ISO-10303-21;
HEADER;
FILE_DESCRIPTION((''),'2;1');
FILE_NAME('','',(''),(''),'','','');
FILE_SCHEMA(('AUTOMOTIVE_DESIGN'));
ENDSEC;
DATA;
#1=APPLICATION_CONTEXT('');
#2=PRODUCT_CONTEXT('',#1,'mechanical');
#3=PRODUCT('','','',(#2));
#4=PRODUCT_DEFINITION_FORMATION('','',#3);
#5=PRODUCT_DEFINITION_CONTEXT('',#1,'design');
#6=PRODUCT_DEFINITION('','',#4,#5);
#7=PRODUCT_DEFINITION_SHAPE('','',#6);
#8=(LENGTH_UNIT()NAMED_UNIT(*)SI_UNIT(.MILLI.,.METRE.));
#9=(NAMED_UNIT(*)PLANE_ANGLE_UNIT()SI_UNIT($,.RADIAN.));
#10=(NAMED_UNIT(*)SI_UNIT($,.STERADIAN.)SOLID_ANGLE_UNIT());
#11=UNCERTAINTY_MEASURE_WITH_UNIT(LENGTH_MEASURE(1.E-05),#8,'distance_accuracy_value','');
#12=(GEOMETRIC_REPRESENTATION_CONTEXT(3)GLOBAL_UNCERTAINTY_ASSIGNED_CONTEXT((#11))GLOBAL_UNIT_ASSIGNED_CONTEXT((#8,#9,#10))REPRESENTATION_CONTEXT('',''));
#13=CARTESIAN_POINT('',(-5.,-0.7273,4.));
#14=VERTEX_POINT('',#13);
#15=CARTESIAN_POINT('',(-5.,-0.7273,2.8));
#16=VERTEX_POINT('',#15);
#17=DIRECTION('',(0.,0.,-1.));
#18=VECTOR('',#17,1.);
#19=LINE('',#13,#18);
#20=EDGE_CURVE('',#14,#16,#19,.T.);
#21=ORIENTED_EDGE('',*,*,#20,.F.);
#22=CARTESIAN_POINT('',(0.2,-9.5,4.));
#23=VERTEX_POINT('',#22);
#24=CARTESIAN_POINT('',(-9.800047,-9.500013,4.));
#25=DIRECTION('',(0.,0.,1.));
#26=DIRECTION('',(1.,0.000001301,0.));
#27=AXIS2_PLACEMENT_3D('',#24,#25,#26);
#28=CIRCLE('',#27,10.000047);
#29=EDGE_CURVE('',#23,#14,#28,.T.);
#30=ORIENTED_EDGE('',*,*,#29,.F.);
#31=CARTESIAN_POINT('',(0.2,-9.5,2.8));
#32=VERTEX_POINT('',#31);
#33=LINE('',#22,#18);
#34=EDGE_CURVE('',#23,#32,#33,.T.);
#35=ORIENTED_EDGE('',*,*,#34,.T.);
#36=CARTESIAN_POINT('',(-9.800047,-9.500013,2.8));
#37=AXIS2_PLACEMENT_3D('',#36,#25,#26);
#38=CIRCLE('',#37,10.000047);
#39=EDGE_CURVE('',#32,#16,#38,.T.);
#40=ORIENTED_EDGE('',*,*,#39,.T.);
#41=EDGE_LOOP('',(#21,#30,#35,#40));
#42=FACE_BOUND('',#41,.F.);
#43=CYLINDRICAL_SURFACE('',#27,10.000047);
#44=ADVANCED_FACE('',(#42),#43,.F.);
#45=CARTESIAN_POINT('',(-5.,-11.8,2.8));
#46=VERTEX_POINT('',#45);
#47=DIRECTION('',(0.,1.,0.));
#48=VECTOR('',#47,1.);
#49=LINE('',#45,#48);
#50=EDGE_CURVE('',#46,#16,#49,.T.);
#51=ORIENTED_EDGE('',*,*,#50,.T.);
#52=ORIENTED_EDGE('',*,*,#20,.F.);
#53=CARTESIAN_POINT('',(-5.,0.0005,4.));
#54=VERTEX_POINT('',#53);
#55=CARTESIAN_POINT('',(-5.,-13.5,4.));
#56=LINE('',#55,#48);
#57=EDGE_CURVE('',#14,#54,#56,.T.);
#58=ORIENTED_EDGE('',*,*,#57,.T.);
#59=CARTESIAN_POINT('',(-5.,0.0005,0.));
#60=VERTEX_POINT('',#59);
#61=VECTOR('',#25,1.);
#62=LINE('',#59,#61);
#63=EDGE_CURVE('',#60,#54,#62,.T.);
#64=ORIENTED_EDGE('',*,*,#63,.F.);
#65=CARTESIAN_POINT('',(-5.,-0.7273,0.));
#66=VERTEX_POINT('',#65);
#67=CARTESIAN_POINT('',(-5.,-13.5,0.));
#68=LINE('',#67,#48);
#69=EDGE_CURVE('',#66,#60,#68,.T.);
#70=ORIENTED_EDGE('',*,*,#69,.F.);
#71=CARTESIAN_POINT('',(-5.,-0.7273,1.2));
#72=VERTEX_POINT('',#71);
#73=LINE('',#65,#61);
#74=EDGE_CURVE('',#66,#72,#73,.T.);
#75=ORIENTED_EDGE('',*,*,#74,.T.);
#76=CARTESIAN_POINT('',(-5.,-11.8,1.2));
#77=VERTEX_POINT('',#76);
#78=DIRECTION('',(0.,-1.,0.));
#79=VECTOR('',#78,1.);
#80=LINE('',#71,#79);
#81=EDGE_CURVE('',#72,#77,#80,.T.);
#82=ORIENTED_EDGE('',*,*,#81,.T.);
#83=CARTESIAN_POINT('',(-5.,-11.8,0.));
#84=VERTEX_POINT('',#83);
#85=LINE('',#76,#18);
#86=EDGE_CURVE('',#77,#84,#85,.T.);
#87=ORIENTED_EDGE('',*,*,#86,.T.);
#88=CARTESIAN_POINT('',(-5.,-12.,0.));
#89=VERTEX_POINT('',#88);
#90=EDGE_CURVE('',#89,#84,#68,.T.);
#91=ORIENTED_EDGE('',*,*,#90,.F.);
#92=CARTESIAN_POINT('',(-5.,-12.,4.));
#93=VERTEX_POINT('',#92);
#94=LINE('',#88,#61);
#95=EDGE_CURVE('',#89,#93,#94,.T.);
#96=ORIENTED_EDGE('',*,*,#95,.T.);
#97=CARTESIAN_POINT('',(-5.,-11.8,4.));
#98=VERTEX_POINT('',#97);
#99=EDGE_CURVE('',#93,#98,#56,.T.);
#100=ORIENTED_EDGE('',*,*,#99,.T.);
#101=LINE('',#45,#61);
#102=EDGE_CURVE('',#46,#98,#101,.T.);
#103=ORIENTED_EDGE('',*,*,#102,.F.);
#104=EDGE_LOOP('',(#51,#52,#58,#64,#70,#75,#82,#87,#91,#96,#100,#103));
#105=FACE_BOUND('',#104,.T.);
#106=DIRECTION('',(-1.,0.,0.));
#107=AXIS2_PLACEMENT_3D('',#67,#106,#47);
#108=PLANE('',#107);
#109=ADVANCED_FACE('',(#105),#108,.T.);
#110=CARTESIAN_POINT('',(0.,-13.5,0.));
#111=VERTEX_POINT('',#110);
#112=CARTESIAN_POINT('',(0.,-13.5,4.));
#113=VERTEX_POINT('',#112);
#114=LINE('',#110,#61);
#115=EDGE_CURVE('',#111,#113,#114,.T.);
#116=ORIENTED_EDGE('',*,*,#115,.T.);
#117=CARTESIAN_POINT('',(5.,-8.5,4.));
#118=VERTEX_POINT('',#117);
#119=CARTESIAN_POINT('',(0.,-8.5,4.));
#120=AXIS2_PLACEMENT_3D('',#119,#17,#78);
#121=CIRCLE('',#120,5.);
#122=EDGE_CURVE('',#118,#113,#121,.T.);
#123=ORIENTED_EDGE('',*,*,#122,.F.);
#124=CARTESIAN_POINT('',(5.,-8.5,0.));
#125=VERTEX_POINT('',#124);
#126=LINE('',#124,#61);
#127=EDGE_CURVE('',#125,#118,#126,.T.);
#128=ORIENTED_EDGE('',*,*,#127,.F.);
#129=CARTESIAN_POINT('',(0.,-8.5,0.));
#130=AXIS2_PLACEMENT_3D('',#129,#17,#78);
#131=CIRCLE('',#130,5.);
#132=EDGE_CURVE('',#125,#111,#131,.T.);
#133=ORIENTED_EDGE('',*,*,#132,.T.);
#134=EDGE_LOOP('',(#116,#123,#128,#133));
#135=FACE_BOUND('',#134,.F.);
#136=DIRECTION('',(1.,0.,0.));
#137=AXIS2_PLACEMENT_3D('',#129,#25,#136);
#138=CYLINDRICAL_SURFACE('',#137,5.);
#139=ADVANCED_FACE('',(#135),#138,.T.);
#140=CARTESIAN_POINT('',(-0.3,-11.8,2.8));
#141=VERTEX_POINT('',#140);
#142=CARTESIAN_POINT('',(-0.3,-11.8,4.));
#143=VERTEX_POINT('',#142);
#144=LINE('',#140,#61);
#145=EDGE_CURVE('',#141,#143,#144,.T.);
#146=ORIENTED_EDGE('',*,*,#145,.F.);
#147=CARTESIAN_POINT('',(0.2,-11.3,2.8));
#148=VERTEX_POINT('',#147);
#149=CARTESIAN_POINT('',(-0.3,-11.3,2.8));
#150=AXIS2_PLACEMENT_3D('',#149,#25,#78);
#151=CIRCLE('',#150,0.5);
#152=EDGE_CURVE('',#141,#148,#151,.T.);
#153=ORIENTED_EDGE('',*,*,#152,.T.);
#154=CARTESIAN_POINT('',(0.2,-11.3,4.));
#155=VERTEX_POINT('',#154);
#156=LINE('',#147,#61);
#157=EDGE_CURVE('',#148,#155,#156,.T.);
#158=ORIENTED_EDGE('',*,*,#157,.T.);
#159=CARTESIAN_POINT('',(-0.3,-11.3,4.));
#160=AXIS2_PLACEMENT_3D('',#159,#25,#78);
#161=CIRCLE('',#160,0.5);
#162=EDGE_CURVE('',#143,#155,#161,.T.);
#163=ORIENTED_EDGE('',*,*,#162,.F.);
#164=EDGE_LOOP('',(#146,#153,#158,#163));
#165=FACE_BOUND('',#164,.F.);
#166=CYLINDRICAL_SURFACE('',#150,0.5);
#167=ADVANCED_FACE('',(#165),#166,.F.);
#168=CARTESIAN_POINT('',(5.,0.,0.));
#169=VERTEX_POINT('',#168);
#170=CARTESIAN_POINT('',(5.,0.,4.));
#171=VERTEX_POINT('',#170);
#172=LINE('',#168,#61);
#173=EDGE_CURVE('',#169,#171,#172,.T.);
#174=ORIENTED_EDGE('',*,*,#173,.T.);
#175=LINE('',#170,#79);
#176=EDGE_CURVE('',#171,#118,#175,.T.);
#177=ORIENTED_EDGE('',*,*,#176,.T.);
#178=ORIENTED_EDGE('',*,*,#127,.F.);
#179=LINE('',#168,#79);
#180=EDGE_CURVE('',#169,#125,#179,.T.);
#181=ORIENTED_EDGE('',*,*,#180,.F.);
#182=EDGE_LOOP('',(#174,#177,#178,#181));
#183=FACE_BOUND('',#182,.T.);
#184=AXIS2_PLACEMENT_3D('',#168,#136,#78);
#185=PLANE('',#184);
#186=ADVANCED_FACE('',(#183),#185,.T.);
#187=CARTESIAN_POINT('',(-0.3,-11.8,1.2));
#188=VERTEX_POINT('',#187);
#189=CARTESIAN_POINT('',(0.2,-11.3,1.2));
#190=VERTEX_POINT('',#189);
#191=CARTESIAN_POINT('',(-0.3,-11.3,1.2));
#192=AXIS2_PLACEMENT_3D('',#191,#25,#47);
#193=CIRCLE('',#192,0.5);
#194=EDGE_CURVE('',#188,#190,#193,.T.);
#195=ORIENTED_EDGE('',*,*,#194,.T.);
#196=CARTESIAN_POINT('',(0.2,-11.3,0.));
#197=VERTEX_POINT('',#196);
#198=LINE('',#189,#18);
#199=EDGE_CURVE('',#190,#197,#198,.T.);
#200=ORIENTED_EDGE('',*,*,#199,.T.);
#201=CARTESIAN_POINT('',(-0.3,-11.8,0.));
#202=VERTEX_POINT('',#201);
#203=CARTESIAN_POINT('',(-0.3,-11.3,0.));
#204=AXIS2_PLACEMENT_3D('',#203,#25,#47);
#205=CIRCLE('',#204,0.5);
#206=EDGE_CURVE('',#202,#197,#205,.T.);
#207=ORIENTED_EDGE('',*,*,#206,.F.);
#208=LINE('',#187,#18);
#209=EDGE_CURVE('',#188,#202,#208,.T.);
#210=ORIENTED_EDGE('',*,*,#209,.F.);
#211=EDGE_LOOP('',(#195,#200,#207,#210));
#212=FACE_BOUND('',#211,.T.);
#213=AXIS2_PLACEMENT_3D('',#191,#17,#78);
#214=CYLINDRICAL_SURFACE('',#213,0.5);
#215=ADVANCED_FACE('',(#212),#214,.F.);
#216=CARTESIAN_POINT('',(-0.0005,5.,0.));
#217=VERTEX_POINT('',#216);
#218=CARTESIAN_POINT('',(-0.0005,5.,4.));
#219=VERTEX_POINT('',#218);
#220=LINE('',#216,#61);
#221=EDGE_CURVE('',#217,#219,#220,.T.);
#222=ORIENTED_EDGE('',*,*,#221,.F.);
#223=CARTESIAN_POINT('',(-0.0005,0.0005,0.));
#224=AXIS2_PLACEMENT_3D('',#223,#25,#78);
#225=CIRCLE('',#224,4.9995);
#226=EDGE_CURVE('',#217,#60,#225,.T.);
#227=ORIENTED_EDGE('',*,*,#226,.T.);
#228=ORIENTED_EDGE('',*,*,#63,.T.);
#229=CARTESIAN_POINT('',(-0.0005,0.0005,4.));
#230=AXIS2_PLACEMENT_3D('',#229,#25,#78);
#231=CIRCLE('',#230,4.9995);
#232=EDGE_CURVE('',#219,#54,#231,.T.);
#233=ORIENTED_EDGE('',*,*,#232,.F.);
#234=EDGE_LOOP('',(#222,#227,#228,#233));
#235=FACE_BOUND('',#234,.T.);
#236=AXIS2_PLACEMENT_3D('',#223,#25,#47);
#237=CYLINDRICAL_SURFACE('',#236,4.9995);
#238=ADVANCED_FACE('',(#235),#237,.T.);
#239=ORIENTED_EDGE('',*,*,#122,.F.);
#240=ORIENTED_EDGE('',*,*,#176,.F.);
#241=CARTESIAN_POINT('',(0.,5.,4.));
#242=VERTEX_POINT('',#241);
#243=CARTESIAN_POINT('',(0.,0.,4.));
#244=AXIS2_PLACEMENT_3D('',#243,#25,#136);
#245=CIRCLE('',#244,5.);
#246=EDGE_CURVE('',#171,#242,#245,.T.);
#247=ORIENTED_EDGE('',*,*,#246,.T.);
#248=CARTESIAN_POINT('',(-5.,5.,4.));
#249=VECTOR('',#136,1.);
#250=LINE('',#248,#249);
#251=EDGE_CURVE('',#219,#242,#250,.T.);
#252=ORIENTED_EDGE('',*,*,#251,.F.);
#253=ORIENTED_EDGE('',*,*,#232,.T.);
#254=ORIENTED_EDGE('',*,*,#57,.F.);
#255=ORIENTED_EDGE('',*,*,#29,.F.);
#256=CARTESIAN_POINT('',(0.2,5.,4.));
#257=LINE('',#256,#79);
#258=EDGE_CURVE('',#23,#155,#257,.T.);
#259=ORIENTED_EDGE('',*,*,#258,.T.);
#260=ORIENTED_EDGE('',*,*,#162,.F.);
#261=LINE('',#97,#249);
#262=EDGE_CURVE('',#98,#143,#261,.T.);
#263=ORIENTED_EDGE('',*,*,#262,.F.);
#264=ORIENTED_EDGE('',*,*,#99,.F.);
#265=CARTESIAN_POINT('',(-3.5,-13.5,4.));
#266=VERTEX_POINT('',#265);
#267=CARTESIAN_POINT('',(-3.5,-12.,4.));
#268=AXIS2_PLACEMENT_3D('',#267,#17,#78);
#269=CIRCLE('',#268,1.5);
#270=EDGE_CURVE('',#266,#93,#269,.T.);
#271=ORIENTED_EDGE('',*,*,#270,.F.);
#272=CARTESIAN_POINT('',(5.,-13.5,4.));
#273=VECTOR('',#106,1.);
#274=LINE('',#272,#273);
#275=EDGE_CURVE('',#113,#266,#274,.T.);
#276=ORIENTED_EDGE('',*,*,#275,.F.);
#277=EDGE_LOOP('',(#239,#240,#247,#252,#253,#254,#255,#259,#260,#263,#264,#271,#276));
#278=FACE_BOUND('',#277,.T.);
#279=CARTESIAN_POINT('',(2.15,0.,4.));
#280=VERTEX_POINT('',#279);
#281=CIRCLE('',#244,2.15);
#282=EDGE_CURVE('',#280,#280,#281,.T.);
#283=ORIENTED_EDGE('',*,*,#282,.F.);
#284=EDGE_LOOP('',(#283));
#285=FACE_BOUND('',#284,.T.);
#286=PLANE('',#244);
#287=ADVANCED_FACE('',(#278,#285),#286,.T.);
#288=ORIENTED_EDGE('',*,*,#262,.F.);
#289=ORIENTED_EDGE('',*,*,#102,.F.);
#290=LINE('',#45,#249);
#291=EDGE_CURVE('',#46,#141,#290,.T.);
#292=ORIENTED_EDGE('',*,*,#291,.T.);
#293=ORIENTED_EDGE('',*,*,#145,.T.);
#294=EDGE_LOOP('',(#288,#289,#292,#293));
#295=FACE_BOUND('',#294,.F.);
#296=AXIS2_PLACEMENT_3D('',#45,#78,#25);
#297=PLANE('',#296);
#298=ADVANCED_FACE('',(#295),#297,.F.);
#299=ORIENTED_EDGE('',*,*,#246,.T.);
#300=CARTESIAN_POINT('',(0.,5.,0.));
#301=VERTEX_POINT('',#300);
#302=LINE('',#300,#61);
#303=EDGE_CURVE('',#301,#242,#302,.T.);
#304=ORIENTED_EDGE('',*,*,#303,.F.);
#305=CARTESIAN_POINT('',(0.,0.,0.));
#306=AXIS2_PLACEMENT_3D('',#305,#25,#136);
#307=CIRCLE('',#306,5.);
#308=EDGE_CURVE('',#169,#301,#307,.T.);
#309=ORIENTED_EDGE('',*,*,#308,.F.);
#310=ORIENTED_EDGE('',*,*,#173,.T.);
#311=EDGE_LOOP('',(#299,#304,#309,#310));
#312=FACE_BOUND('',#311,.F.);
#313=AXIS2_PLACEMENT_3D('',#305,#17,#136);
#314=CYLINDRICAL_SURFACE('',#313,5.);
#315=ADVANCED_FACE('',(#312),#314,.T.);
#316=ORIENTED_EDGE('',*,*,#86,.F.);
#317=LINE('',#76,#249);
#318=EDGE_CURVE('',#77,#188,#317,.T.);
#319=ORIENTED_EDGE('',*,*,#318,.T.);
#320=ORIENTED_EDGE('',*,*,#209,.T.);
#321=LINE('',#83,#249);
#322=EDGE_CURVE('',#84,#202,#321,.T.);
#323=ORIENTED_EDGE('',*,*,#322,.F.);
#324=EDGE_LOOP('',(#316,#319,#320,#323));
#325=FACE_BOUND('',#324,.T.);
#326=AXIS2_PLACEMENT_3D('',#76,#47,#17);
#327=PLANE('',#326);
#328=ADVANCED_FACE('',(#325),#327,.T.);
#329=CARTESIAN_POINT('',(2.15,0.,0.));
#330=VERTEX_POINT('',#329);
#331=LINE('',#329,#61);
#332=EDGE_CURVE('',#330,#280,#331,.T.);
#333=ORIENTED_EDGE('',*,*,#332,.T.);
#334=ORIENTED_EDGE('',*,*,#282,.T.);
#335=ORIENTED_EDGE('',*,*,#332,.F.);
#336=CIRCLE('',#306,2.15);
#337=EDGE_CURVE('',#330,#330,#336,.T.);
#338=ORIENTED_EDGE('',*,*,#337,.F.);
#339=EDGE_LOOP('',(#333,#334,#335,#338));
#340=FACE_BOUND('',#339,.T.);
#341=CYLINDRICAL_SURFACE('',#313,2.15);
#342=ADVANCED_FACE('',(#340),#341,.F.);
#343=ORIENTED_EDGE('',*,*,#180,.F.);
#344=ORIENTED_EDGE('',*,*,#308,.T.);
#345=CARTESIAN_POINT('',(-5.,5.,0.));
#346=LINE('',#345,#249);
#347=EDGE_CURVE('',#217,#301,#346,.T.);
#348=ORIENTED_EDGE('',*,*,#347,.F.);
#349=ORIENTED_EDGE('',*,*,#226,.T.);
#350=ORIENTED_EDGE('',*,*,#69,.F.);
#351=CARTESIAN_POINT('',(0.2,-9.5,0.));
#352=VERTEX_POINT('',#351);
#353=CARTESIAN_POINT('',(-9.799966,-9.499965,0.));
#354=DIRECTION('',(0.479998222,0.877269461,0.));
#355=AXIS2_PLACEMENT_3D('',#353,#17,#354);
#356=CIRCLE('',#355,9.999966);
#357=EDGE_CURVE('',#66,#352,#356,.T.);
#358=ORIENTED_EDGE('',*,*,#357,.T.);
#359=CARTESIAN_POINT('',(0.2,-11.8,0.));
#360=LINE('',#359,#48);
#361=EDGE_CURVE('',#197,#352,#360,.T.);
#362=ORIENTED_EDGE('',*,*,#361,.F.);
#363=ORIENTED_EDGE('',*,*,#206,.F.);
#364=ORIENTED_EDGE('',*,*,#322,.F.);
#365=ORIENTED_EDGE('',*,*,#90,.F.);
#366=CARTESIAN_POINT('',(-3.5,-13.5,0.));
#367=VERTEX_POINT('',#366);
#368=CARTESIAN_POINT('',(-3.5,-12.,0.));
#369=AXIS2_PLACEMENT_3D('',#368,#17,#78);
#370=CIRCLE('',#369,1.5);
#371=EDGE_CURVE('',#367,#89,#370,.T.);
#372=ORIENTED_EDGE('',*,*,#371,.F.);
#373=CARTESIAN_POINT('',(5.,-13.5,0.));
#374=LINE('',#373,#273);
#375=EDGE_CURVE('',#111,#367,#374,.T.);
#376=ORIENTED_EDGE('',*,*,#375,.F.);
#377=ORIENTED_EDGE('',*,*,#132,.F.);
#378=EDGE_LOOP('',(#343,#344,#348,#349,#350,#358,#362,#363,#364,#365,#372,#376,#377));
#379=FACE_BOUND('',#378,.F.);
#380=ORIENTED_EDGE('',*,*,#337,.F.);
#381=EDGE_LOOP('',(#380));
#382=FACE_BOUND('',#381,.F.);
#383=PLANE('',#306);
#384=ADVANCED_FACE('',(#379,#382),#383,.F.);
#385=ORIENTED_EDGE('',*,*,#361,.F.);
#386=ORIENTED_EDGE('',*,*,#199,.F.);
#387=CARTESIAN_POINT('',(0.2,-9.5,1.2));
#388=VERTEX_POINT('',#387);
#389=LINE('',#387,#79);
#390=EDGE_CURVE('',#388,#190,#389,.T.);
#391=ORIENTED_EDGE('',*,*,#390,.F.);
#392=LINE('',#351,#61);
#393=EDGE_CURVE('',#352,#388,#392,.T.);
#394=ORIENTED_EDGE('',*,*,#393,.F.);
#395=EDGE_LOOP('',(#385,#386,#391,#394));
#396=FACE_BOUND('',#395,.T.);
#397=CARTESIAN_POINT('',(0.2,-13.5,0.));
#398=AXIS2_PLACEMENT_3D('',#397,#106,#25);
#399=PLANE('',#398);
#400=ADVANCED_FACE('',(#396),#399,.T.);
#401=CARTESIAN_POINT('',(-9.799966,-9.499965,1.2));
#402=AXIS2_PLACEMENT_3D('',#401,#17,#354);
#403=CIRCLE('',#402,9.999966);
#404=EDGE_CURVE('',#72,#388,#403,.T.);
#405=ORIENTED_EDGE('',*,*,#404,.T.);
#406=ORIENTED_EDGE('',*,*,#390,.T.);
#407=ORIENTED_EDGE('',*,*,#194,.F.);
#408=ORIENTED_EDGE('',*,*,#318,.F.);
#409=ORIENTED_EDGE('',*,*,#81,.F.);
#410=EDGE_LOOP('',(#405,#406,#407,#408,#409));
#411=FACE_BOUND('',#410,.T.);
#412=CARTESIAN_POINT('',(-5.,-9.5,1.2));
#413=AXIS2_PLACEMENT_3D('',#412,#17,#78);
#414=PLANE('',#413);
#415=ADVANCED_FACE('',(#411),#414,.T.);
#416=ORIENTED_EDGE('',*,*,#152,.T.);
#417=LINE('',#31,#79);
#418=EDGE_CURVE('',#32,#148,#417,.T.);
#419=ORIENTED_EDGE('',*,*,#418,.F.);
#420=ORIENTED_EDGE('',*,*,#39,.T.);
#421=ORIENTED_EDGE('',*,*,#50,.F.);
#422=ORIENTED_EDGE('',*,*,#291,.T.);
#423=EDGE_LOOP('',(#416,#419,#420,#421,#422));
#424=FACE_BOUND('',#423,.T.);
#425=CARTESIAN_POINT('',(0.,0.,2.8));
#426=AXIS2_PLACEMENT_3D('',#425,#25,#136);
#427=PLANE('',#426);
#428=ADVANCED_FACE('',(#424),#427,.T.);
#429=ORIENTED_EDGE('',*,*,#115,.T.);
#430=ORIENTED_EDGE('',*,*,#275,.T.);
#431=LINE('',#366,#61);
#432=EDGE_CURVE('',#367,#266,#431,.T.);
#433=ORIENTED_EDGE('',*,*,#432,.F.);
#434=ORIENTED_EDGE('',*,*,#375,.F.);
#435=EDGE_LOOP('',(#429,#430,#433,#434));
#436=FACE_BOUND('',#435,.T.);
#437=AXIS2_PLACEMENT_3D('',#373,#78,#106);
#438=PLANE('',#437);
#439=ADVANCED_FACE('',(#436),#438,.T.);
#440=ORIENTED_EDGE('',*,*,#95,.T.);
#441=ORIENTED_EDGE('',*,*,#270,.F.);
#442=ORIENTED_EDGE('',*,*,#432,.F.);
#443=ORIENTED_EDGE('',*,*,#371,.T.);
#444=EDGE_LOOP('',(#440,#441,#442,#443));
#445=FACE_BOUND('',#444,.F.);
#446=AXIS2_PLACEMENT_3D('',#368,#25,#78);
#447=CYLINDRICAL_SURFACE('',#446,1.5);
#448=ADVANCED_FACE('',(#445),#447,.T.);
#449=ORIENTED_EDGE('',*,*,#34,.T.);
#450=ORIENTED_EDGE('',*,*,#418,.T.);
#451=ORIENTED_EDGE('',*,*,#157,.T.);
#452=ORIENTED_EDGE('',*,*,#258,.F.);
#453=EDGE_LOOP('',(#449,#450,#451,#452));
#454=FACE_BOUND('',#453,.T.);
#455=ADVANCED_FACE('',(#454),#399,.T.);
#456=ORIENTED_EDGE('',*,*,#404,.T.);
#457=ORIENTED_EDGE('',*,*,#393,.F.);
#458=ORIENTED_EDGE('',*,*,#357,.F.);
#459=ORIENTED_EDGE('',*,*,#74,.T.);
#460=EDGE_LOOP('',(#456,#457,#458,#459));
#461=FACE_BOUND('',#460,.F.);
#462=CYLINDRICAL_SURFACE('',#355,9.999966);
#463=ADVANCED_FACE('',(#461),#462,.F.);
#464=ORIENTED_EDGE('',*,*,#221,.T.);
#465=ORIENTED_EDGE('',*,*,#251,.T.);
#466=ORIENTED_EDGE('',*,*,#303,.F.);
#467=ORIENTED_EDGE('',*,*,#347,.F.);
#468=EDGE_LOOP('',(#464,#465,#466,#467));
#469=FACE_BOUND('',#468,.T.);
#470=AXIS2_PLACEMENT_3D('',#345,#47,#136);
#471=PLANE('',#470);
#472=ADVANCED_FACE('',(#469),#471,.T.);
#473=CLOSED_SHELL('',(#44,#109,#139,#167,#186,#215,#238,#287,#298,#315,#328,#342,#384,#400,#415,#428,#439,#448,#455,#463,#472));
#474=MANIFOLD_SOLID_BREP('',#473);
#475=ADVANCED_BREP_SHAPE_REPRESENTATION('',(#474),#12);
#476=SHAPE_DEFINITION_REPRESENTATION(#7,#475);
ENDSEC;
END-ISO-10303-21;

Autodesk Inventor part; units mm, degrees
ref_plane "YZ Plane" through (0, 0, 0) normal (1, 0, 0) x (0, 1, 0)
ref_plane "XZ Plane" through (0, 0, 0) normal (0, 1, 0) x (-1, 0, 0)
ref_plane "XY Plane" through (0, 0, 0) normal (0, 0, 1) x (1, 0, 0)
sketch "Boceto39" plane through (0, 0, 0) normal (0, 0, 1) x (1, 0, 0)
  circle A0 centre (0, 0) radius 2.15
  line L0 (-5, 5) -> (0, 5)
  line L1 (5, 0) -> (5, -13.5)
  line L2 (5, -13.5) -> (-5, -13.5)
  line L3 (-5, -13.5) -> (-5, 5)
  arc A1 (5, 0) -> (0, 5) centre (0, 0) ccw
  dimension "d373" = 4.3
  dimension "d374" = 5
  dimension "d375" = 10
  dimension "d376" = 18.5
extrude "Extrusión13" add sketch "Boceto39" along normal blind 4
sketch "Boceto40" plane through (-5, -13.5, 0) normal (-1, 0, 0) x (0, 0, 1)
  line L0 (0, 0) -> (0, 18.5) construction
  line L1 (0, 0) -> (4, 0) construction
  line L2 (4, 18.5) -> (4, 0) construction
  line L3 (0, 18.5) -> (4, 18.5) construction
  line L4 (0, 4) -> (1.2, 4)
  line L5 (1.2, 4) -> (1.2, 1.7)
  line L6 (1.2, 1.7) -> (0, 1.7)
  line L7 (0, 1.7) -> (0, 4)
  line L8 (4, 18.5) -> (4, 0) projected
  line L9 (4, 4) -> (2.8, 4)
  line L10 (2.8, 4) -> (2.8, 1.7)
  line L11 (2.8, 1.7) -> (4, 1.7)
  line L12 (4, 1.7) -> (4, 4)
  point P0 (0, 13.5)
  dimension "d379" = 1.7
  dimension "d380" = 2.3
  dimension "d381" = 1.2
extrude "Extrusión14" cut sketch "Boceto40" against normal blind 5.2
sketch "Boceto41" plane through (0, 0, 0) normal (0, 0, -1) x (-1, 0, 0)
  line L0 (-0.2, -11.8) -> (-0.2, -9.5) construction
  line L1 (5, -9.5) -> (5, 5) construction
  arc A0 (5, -0.7273) -> (-0.2, -9.5) centre (9.8, -9.5) ccw
  line L2 (5, 5) -> (5, -9.5) construction
  line L3 (-0.2, -9.5) -> (5, -9.5)
  line L4 (5, -9.5) -> (5, -0.7273)
  point P0 (0, 0)
  dimension "d384" = 10
extrude "Extrusión15" cut sketch "Boceto41" against normal up to surface (1.2 mm away)
sketch "Boceto42" plane through (0, 0, 4) normal (0, 0, 1) x (1, 0, 0)
  line L0 (-5, -9.5) -> (0.2, -9.5) projected
  line L1 (0.2, -9.5) -> (0.2, -11.8) construction
  line L2 (0.2, -11.8) -> (-5, -11.8) construction
  line L3 (-5, -11.8) -> (-5, -13.5) construction
  line L4 (-5, -13.5) -> (5, -13.5) construction
  line L5 (5, -13.5) -> (5, 0) construction
  arc A0 (5, 0) -> (0, 5) centre (0, 0) ccw construction
  line L6 (0, 5) -> (-5, 5) construction
  line L7 (-5, 5) -> (-5, -9.5) construction
  circle A1 centre (0, 0) radius 2.15 construction
  line L8 (-5, -0.7273) -> (-5, -11.8) construction
  arc A2 (0.2, -9.5) -> (-5, -0.7273) centre (-9.8, -9.5) ccw projected
  line L9 (0.2, -9.5) -> (0.2, -11.8) construction
  line L10 (-5, -11.8) -> (0.2, -11.8) construction
  line L11 (-5, -11.8) -> (-5, -9.5) projected
  line L12 (-5, -9.5) -> (-5, -0.7273)
  line L13 (-5, -9.5) -> (0.2, -9.5) projected
  line L14 (-5, -9.5) -> (0.2, -9.5)
  line L15 (0.2, -9.5) -> (0.2, -11.8) projected
  line L16 (-5, -0.7273) -> (-5, -11.8) projected
  arc A3 (0.2, -9.5) -> (-5, -0.7273) centre (-9.8, -9.5) ccw
extrude "Extrusión16" cut sketch "Boceto42" against normal up to surface (1.2 mm away)
fillet "Empalme44" radius 5 1 edges at (-5, 5, 2)
fillet "Empalme45" radius 5 1 edges at (5, -13.5, 2)
fillet "Empalme46" radius 1.5 1 edges at (-5, -13.5, 2)
fillet "Empalme46" radius 0.5 2 edges at (0.2, -11.8, 0.6) (0.2, -11.8, 3.4)
properties part number "PP-I3D-0001"
